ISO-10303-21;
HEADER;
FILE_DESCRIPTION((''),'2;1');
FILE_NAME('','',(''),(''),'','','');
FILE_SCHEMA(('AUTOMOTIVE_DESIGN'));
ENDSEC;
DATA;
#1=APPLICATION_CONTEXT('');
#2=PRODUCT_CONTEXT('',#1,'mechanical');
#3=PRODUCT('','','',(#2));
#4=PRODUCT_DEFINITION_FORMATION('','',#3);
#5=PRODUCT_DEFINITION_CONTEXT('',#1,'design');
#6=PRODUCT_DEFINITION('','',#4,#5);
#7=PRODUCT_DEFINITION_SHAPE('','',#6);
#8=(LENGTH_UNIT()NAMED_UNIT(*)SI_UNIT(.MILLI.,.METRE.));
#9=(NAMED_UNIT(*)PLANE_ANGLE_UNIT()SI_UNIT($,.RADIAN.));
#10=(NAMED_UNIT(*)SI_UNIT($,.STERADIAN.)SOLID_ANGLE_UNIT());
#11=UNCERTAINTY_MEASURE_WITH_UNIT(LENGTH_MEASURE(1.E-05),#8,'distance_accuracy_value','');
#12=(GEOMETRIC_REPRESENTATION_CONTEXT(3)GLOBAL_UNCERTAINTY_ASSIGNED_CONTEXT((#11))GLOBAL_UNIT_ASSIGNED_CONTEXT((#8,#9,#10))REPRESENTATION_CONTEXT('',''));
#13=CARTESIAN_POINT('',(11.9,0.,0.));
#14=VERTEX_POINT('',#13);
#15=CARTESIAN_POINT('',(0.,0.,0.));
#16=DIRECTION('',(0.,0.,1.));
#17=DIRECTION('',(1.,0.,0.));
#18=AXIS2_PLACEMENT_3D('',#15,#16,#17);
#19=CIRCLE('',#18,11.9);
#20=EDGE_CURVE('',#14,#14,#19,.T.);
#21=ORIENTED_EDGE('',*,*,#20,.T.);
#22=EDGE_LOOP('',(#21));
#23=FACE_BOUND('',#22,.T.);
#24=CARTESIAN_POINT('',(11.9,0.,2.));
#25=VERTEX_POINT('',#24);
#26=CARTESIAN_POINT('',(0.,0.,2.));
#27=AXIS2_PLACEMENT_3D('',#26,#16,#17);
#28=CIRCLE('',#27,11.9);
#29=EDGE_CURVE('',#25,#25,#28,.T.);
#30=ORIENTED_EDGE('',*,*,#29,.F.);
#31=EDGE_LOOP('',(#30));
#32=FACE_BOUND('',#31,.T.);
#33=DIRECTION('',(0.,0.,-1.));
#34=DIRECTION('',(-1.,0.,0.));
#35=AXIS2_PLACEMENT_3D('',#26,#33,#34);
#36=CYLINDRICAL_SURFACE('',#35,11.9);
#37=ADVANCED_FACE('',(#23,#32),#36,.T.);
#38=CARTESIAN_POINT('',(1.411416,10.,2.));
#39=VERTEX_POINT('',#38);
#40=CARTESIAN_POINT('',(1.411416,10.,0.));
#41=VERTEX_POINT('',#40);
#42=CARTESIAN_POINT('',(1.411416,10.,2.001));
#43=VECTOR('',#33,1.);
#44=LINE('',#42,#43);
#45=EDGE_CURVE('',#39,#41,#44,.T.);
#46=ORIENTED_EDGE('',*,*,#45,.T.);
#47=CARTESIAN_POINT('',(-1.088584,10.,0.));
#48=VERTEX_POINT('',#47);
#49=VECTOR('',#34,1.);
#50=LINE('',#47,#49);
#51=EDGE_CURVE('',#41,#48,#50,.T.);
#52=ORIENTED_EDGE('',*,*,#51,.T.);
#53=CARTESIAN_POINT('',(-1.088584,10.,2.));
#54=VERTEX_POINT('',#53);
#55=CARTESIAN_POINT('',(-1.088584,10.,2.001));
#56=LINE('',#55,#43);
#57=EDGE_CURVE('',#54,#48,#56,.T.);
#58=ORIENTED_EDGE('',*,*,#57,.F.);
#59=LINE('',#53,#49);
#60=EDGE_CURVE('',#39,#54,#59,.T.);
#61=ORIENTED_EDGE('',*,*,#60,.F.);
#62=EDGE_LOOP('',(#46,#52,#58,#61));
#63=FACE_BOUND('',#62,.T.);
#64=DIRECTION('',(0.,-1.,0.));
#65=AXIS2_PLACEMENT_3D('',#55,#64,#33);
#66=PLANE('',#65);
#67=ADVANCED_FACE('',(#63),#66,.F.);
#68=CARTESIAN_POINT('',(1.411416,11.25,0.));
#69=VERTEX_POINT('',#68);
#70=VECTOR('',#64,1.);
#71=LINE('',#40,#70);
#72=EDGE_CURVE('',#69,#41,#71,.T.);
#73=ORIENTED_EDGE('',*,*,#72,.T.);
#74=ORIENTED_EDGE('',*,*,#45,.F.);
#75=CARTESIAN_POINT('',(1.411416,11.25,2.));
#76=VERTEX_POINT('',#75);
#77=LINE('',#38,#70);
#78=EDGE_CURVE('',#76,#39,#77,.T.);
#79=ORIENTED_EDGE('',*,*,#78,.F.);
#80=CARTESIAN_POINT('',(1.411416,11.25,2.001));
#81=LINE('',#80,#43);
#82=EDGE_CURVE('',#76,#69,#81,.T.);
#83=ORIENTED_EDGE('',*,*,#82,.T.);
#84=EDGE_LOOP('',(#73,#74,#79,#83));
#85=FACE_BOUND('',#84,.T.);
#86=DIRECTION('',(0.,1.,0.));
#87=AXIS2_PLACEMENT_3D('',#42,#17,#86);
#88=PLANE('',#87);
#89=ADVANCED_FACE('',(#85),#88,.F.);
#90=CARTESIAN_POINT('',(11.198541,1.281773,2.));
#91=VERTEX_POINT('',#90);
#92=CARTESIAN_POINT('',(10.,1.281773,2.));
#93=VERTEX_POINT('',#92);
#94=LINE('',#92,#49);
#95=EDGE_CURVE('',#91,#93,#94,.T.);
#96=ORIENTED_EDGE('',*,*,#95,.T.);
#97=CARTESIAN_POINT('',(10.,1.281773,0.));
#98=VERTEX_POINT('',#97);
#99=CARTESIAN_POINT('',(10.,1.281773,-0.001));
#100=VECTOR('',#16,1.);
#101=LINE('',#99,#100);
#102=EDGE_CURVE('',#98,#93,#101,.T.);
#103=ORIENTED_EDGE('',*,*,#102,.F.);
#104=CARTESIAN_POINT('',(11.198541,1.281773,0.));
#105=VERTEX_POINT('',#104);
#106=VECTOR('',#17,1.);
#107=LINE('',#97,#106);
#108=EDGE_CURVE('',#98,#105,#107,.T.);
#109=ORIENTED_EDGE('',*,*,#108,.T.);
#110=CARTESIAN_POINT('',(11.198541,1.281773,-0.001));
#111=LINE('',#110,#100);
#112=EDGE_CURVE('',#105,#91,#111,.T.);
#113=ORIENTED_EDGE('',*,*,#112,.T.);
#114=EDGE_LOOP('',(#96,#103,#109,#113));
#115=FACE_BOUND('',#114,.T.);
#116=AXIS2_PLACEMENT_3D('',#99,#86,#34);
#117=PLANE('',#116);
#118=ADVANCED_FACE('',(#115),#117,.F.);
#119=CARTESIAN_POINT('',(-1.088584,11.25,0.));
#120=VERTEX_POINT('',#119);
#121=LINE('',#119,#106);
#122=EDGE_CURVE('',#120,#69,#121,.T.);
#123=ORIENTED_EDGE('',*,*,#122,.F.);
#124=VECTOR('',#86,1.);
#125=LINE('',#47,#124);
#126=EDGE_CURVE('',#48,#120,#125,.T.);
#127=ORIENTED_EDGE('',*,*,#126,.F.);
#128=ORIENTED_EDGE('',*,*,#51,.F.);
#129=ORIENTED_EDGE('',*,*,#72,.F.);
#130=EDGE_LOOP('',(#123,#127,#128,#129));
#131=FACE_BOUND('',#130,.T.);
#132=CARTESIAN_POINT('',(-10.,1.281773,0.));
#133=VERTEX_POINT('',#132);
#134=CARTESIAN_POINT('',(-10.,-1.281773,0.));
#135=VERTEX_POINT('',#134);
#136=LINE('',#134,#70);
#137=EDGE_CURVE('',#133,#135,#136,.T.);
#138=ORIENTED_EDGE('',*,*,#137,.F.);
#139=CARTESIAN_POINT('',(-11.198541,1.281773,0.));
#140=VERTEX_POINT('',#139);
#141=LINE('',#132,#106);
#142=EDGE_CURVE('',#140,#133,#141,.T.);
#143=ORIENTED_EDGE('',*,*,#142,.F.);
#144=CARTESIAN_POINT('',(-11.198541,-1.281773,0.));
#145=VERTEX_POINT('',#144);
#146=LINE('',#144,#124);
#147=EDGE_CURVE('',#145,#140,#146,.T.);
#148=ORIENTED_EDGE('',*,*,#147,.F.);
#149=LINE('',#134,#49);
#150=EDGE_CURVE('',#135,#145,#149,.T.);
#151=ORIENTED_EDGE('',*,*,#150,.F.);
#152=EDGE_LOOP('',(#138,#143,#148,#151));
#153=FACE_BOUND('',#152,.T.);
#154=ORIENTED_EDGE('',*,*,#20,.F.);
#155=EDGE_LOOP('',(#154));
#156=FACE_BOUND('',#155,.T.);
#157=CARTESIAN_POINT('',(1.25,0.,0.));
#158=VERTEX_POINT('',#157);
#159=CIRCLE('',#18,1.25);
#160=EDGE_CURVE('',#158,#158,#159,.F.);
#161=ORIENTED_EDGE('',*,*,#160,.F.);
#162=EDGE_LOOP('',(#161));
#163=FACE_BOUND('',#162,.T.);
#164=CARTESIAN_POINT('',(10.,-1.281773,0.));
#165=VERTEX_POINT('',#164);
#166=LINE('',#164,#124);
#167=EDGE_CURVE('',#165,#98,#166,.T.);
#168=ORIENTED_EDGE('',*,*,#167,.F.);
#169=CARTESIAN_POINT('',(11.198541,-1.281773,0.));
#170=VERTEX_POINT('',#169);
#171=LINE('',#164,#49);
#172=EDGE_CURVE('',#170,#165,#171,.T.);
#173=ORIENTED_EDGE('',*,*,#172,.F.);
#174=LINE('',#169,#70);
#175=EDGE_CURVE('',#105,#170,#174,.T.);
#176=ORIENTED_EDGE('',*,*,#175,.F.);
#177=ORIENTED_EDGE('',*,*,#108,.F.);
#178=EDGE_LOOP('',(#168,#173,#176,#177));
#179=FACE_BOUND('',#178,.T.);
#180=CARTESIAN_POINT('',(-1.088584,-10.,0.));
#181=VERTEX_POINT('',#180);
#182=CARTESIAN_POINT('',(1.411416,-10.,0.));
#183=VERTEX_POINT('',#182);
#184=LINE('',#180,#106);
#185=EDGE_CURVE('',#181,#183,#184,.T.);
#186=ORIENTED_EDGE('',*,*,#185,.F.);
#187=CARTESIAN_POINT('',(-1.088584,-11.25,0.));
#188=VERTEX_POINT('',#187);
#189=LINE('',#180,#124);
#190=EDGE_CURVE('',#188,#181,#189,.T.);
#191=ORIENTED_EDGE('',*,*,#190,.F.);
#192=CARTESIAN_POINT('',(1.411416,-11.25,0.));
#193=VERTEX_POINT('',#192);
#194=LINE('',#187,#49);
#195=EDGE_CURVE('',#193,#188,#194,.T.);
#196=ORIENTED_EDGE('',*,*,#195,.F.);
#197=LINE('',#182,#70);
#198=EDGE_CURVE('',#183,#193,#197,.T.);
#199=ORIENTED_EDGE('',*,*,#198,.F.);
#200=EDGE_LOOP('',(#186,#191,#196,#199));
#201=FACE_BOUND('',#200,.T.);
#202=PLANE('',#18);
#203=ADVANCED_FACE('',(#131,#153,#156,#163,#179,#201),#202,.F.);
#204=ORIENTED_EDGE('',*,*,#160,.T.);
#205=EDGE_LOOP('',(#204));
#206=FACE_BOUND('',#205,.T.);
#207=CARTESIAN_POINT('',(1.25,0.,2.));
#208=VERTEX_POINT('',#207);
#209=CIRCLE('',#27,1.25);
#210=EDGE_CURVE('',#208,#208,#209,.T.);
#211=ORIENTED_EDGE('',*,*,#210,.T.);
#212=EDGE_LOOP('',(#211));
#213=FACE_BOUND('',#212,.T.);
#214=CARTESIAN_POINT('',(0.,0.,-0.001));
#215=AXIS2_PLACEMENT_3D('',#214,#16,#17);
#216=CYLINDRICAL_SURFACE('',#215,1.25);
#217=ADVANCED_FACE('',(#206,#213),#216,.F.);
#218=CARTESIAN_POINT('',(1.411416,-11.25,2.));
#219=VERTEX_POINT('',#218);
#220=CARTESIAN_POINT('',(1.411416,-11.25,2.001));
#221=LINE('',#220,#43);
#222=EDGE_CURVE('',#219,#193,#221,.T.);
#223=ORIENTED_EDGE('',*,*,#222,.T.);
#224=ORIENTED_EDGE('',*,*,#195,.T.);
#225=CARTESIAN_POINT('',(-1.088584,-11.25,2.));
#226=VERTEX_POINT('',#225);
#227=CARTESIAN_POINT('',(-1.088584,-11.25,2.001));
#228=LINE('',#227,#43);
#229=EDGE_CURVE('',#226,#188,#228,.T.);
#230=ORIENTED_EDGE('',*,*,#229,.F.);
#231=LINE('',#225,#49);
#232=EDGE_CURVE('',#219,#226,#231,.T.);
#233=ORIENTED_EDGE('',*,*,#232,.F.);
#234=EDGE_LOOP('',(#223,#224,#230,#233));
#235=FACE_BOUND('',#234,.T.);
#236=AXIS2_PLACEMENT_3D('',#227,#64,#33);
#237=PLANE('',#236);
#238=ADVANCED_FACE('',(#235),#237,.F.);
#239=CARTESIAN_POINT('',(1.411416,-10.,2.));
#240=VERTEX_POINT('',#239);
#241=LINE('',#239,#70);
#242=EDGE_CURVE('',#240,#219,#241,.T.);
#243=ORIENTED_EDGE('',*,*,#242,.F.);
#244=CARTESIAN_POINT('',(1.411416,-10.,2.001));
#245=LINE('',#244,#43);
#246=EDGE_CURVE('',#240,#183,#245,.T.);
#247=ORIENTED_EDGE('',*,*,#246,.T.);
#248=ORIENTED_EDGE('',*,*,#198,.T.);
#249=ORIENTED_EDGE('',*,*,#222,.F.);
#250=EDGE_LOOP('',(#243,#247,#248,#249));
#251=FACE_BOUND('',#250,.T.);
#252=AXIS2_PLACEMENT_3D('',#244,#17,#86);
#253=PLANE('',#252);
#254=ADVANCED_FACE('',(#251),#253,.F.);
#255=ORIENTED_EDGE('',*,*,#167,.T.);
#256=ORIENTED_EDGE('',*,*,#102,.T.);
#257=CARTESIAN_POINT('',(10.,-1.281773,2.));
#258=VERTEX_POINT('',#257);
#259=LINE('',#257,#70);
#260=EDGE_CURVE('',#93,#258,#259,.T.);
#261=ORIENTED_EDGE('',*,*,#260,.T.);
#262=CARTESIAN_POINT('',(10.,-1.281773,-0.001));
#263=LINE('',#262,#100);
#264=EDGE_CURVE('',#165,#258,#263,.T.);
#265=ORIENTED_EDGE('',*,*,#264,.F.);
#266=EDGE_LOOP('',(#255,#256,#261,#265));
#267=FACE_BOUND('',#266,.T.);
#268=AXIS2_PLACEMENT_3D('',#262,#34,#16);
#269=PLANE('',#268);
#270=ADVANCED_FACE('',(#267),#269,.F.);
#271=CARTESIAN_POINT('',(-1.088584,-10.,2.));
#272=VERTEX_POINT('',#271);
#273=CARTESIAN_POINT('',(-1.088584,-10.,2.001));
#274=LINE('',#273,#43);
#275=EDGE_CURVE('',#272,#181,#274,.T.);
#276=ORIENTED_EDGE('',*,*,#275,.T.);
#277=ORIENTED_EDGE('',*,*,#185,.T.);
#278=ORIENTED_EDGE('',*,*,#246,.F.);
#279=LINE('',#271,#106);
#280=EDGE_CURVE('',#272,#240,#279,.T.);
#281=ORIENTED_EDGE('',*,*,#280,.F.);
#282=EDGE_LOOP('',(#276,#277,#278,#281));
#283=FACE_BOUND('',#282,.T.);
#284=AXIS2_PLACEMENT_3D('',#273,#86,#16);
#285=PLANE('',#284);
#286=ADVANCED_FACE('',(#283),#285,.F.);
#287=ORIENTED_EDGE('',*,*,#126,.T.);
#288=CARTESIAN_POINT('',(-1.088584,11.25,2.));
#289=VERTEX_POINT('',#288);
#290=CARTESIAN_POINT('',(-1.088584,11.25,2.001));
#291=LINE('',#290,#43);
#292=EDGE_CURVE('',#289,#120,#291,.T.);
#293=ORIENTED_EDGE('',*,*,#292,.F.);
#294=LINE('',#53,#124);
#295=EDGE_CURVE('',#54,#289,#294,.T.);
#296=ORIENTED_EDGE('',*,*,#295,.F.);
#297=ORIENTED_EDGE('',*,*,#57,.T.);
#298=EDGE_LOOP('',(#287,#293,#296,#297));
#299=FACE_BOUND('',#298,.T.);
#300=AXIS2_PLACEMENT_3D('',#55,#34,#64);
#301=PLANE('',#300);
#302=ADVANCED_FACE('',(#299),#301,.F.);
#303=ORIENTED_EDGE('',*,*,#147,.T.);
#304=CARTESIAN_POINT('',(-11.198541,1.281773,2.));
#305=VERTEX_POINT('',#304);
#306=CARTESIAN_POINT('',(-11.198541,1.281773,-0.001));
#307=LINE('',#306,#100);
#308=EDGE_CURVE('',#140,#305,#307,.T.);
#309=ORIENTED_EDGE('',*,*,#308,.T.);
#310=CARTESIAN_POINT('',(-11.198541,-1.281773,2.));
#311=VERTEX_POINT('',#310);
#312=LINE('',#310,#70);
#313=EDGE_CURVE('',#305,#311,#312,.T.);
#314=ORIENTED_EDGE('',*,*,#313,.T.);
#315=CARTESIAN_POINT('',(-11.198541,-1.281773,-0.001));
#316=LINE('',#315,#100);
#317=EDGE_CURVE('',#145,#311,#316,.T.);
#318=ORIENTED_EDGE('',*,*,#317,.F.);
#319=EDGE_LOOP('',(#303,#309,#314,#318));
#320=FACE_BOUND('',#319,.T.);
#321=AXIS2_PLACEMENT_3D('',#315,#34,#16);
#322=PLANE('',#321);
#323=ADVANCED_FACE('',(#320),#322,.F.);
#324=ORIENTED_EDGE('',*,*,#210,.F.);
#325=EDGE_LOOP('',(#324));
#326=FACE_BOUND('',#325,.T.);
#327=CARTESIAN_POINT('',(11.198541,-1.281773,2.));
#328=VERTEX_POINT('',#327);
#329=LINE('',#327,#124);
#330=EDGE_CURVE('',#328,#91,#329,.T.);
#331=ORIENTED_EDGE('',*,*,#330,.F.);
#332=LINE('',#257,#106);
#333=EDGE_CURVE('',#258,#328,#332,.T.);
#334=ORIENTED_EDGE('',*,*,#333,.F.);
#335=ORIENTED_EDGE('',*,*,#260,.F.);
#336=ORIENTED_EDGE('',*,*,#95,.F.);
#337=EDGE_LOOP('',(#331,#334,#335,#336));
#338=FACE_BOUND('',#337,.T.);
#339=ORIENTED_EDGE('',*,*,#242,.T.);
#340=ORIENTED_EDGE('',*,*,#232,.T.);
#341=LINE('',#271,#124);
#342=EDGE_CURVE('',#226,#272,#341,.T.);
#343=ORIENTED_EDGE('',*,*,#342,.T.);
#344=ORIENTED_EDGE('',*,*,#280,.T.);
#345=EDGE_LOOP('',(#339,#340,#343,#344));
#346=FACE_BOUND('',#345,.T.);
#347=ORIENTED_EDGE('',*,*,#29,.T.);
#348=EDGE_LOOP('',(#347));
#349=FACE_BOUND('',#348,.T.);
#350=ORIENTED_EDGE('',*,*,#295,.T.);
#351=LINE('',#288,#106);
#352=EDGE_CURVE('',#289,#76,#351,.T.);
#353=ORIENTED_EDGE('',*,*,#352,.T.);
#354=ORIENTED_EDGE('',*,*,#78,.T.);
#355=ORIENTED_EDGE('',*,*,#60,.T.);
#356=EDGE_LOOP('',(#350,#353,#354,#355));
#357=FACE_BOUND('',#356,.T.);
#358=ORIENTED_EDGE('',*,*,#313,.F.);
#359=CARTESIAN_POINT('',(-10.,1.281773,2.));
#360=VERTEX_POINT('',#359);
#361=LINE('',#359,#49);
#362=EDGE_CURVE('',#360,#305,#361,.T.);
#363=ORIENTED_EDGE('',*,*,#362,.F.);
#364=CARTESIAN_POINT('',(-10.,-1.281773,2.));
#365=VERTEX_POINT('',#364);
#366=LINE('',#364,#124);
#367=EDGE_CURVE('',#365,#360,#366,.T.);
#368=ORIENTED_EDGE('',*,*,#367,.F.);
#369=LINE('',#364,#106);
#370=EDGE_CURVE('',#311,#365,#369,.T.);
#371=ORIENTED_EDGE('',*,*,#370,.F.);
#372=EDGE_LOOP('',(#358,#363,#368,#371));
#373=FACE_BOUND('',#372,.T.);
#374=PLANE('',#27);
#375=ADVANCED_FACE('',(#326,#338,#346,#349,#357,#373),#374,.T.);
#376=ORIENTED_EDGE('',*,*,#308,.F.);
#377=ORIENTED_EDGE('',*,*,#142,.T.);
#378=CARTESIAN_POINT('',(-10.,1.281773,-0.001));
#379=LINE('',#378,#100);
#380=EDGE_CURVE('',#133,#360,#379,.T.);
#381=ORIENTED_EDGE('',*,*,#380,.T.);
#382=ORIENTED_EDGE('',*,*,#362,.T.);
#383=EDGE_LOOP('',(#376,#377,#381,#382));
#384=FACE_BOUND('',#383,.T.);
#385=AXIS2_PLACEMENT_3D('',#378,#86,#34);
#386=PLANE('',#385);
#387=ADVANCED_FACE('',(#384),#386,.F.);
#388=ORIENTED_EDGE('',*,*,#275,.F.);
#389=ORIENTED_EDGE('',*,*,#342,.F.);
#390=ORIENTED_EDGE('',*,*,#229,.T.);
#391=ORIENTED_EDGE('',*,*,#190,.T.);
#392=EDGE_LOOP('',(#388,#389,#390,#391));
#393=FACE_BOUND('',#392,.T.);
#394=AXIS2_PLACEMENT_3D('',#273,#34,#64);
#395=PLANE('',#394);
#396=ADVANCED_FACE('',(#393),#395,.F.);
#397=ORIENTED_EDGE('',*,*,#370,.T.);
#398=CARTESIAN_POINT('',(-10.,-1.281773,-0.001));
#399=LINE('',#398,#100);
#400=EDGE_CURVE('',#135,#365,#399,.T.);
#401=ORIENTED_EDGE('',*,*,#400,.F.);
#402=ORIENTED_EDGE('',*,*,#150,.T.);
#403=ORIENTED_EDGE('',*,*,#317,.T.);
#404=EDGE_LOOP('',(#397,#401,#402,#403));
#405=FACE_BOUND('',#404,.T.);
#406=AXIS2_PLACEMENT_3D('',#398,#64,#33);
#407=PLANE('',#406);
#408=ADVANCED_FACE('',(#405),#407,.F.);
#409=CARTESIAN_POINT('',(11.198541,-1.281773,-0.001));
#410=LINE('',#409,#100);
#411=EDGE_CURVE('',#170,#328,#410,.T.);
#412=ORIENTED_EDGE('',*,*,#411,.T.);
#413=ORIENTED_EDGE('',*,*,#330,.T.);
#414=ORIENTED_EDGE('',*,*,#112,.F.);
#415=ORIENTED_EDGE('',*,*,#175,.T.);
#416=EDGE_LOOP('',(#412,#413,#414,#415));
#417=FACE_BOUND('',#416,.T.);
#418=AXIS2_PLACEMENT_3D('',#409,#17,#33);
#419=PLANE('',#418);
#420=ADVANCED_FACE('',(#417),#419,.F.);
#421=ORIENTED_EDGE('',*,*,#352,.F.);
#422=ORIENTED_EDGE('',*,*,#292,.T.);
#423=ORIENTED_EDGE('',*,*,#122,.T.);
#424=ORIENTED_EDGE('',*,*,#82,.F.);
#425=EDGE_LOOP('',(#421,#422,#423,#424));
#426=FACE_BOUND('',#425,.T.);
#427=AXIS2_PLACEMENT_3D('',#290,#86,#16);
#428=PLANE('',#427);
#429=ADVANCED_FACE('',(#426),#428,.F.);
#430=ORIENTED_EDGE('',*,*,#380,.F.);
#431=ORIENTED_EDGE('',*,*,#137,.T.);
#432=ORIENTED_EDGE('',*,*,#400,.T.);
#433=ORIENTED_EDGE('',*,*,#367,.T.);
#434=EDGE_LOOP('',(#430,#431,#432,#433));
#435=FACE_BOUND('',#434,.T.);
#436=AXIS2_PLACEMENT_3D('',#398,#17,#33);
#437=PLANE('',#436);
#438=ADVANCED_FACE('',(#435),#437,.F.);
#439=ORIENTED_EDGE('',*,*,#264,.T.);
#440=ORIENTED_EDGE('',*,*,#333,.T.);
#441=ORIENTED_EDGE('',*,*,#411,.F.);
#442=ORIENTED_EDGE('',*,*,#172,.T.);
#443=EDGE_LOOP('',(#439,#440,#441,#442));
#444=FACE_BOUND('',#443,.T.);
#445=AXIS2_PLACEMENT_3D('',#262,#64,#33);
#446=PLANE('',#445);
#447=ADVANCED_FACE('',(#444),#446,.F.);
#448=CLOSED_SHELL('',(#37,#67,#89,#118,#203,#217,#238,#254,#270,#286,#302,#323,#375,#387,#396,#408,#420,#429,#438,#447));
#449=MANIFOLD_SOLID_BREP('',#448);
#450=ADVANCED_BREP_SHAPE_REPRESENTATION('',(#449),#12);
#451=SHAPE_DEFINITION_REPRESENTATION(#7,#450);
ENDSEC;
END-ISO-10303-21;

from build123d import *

# Parameters (mm, degrees)
SKETCH1_R           = 11.9
BOSS_EXTRUDE1_DEPTH = 2
CUT_EXTRUDE1_REACH  = 18.948
SKETCH3_W           = 1.198540621
SKETCH3_H           = 2.563545218
CUT_EXTRUDE2_REACH  = 18.948
SKETCH4_R           = 1.25
CUT_EXTRUDE3_REACH  = 18.948
SKETCH5_W           = 2.5
SKETCH5_H           = 1.25


with BuildPart() as part:
    # Sketch1 → Boss-Extrude1 (new body)
    with BuildSketch(Plane.XY):
        Circle(SKETCH1_R)
    extrude(amount=BOSS_EXTRUDE1_DEPTH)

    # Sketch3 → Cut-Extrude1 (cut, up to next)
    with BuildSketch(Plane.XY.offset(2), mode=Mode.PRIVATE) as cut_extrude1_sk1:
        with Locations((10.59927031, 0)):
            Rectangle(SKETCH3_W, SKETCH3_H)
    cut_extrude1_tool1 = extrude(cut_extrude1_sk1.sketch, amount=-CUT_EXTRUDE1_REACH, mode=Mode.PRIVATE) & part.part
    # Sketch3 → Cut-Extrude1 (cut, up to next)
    with BuildSketch(Plane.XY.offset(2), mode=Mode.PRIVATE) as cut_extrude1_sk2:
        with Locations((-10.59927031, 0)):
            Rectangle(SKETCH3_W, SKETCH3_H)
    cut_extrude1_tool2 = extrude(cut_extrude1_sk2.sketch, amount=-CUT_EXTRUDE1_REACH, mode=Mode.PRIVATE) & part.part
    add(cut_extrude1_tool1.solids().sort_by_distance((10.59927, 0, 2))[0], mode=Mode.SUBTRACT)
    add(cut_extrude1_tool2.solids().sort_by_distance((-10.59927, 0, 2))[0], mode=Mode.SUBTRACT)

    # Sketch4 → Cut-Extrude2 (cut, up to next)
    with BuildSketch(Plane.XY.offset(2), mode=Mode.PRIVATE) as cut_extrude2_sk1:
        Circle(SKETCH4_R)
    cut_extrude2_tool1 = extrude(cut_extrude2_sk1.sketch, amount=-CUT_EXTRUDE2_REACH, mode=Mode.PRIVATE) & part.part
    add(cut_extrude2_tool1.solids().sort_by_distance((0, 0, 2))[0], mode=Mode.SUBTRACT)

    # Sketch5 → Cut-Extrude3 (cut, up to next)
    with BuildSketch(Plane(origin=(0, 0, 0), x_dir=(-1, 0, 0), z_dir=(0, 0, -1)), mode=Mode.PRIVATE) as cut_extrude3_sk1:
        with Locations((-0.161415602, -10.625)):
            Rectangle(SKETCH5_W, SKETCH5_H)
    cut_extrude3_tool1 = extrude(cut_extrude3_sk1.sketch, amount=-CUT_EXTRUDE3_REACH, mode=Mode.PRIVATE) & part.part
    # Sketch5 → Cut-Extrude3 (cut, up to next)
    with BuildSketch(Plane(origin=(0, 0, 0), x_dir=(-1, 0, 0), z_dir=(0, 0, -1)), mode=Mode.PRIVATE) as cut_extrude3_sk2:
        with Locations((-0.161415602, 10.625)):
            Rectangle(SKETCH5_W, SKETCH5_H)
    cut_extrude3_tool2 = extrude(cut_extrude3_sk2.sketch, amount=-CUT_EXTRUDE3_REACH, mode=Mode.PRIVATE) & part.part
    add(cut_extrude3_tool1.solids().sort_by_distance((0.161416, -10.625, 0))[0], mode=Mode.SUBTRACT)
    add(cut_extrude3_tool2.solids().sort_by_distance((0.161416, 10.625, 0))[0], mode=Mode.SUBTRACT)


solid = part.part
